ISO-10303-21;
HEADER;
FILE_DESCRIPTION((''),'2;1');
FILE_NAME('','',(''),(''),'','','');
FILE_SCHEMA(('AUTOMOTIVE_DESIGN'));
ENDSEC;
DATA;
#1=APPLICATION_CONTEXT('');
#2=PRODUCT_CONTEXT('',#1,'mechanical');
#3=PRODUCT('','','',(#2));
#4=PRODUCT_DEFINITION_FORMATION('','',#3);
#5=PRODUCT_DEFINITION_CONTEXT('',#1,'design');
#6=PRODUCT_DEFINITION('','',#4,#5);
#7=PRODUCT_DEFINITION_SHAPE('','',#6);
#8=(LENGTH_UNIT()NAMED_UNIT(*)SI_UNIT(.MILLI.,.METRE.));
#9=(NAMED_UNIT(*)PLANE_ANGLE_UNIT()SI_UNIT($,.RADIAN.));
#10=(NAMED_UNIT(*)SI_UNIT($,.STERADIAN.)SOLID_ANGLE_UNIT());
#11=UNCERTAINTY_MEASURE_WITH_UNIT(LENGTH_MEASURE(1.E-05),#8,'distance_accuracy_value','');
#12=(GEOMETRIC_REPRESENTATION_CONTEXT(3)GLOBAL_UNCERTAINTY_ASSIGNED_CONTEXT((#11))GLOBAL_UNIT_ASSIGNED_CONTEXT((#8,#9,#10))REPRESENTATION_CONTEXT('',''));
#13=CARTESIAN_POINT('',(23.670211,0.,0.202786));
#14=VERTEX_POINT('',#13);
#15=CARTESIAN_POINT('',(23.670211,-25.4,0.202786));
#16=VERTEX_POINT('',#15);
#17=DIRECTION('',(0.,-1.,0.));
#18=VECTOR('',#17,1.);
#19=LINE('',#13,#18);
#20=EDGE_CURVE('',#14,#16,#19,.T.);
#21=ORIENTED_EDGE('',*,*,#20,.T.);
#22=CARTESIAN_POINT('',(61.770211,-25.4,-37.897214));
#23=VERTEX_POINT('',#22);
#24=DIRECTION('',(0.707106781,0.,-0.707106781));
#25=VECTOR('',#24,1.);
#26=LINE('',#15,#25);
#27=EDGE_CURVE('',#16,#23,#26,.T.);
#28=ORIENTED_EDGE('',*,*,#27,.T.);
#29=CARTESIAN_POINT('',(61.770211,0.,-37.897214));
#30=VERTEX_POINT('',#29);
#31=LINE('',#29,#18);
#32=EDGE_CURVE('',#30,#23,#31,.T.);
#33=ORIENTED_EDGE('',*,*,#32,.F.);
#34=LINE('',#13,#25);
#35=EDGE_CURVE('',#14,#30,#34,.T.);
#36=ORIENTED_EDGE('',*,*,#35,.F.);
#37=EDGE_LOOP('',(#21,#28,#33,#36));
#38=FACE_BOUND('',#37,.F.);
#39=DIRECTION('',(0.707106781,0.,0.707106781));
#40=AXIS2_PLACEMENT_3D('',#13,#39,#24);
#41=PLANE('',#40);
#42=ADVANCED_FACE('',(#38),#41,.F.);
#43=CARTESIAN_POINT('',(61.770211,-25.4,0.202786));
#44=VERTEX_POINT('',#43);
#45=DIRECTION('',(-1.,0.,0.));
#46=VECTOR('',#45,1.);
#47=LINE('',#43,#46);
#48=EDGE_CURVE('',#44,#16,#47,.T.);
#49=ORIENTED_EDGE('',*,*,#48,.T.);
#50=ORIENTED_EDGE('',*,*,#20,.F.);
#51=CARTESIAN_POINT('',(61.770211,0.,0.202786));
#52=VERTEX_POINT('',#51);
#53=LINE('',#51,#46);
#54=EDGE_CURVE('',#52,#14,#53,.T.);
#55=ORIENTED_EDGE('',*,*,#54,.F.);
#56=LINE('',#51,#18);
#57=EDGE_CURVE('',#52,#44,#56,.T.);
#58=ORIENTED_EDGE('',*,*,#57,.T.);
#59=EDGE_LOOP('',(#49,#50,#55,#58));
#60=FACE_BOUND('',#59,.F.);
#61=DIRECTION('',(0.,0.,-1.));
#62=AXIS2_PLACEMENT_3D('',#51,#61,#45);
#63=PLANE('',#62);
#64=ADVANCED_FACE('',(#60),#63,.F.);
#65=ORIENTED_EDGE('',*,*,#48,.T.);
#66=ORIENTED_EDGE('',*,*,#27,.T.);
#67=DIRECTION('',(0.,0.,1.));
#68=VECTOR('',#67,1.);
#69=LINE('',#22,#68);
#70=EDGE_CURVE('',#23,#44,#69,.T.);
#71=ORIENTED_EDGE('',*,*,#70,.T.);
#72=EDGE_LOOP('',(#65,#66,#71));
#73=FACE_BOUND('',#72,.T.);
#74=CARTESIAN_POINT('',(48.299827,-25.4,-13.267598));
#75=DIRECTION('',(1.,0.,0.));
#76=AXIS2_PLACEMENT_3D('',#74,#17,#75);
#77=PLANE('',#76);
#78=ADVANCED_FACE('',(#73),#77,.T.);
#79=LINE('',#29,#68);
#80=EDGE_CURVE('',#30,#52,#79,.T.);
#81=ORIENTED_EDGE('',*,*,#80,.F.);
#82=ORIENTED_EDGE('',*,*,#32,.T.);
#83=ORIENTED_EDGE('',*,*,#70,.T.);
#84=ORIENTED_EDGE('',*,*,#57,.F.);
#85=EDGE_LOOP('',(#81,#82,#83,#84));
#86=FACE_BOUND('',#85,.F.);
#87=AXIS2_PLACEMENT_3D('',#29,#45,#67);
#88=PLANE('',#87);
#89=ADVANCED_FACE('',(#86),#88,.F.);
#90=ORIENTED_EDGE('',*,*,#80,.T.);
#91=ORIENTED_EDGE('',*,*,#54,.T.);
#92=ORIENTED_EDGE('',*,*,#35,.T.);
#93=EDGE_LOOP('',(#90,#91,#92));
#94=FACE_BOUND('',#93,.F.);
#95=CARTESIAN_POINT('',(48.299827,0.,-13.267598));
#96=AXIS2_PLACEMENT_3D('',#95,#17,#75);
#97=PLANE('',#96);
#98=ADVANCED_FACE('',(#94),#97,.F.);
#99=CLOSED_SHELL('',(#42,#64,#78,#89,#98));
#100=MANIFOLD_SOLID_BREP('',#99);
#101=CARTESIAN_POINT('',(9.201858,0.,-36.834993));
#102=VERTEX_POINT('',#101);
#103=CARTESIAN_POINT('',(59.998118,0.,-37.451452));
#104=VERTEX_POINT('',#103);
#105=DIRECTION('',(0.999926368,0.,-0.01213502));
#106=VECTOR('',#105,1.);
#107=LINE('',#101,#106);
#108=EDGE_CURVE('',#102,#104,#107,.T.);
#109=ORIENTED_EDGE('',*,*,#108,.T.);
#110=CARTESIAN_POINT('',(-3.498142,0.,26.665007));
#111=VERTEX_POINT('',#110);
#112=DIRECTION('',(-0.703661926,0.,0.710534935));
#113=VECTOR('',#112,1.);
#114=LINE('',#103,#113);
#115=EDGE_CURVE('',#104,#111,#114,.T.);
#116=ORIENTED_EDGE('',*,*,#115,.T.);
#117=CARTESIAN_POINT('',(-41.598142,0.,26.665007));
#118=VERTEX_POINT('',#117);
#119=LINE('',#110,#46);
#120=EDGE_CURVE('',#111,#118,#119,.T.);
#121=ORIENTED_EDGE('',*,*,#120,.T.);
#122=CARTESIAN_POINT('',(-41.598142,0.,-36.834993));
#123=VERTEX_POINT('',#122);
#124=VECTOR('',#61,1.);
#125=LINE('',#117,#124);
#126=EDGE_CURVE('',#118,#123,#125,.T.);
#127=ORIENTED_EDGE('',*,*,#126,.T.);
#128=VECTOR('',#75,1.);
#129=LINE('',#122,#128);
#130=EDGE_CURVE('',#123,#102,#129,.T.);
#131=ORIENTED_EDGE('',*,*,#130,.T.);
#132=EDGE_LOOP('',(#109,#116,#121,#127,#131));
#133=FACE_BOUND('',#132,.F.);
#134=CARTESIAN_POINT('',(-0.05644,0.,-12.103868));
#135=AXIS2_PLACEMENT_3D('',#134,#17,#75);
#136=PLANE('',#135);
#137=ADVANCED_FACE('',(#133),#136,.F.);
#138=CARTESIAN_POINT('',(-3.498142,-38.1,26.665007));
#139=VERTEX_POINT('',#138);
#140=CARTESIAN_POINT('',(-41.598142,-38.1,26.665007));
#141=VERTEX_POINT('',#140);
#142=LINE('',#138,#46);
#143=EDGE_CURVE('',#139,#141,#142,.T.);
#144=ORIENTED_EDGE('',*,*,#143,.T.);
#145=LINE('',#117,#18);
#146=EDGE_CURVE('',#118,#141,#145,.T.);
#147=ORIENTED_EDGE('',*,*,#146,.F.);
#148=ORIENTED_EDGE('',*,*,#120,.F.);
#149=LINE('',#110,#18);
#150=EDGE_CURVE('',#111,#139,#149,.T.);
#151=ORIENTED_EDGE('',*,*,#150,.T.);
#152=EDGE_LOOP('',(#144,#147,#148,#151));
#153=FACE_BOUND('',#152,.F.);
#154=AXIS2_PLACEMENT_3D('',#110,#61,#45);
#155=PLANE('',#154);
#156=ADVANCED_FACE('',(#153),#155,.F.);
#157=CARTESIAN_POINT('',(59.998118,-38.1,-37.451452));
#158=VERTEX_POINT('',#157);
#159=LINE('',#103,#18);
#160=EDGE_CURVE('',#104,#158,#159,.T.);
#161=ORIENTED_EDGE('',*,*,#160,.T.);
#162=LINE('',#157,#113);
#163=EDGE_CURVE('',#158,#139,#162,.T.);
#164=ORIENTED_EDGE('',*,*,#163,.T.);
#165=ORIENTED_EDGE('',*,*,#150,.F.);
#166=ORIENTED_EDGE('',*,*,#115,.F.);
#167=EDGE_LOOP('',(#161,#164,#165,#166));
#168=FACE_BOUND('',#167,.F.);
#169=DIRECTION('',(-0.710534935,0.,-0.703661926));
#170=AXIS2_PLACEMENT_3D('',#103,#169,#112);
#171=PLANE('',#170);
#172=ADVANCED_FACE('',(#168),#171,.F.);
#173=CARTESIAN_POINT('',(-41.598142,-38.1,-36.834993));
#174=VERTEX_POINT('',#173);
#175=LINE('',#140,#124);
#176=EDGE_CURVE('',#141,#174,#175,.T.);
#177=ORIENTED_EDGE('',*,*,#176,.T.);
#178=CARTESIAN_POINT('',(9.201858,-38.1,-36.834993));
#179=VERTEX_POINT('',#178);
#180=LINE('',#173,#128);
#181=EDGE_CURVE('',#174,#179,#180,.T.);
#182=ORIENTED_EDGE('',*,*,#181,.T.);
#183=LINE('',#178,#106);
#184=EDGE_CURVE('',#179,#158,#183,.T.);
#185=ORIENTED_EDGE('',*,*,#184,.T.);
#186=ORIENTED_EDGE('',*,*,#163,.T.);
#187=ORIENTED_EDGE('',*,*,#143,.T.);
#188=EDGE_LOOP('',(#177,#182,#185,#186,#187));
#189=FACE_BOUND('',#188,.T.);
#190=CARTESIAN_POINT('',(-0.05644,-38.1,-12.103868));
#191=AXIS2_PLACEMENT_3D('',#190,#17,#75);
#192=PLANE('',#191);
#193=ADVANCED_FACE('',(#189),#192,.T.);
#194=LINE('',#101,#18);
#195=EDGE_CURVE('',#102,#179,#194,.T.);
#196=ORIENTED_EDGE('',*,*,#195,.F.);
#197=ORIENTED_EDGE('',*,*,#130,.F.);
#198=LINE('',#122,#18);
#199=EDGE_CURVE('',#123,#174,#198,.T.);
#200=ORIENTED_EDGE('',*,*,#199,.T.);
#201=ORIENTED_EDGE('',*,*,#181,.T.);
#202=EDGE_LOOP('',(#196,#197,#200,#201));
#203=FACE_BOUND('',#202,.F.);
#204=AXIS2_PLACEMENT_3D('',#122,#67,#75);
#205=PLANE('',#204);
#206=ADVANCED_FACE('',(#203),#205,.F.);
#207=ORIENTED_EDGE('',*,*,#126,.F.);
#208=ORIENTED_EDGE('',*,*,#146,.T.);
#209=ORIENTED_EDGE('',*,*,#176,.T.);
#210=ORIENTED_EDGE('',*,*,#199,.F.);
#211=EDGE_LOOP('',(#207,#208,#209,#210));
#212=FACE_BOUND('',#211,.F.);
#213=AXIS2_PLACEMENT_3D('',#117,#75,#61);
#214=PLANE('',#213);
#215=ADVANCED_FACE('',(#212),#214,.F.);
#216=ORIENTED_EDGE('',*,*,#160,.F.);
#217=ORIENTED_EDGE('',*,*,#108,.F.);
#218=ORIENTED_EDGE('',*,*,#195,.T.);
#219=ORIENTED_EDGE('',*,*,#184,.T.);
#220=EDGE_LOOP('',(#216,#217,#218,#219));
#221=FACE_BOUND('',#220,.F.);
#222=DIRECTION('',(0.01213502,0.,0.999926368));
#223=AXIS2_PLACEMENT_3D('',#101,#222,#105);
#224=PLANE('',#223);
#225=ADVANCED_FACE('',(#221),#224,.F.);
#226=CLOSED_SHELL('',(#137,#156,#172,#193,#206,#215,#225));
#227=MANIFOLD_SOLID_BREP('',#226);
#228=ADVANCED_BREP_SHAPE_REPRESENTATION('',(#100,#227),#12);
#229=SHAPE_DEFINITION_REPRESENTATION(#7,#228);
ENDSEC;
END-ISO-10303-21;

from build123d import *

# Parameters (mm, degrees)
F1_DEPTH = 38.1
F3_DEPTH = 25.4


with BuildPart() as f1:
    # F0 (on Front) → F1 (new body)
    with BuildSketch(Plane.XZ):
        Polygon((-41.598142, -36.834993), (9.201858, -36.834993), (59.998118, -37.451452), (-3.498142, 26.665007), (-41.598142, 26.665007), align=None)
    extrude(amount=F1_DEPTH)


with BuildPart() as f3:
    # F2 (on Front) → F3 (new body)
    with BuildSketch(Plane.XZ):
        Polygon((61.770211, 0.202786), (23.670211, 0.202786), (61.770211, -37.897214), align=None)
    extrude(amount=F3_DEPTH)


solid = Compound([f1.part, f3.part])
